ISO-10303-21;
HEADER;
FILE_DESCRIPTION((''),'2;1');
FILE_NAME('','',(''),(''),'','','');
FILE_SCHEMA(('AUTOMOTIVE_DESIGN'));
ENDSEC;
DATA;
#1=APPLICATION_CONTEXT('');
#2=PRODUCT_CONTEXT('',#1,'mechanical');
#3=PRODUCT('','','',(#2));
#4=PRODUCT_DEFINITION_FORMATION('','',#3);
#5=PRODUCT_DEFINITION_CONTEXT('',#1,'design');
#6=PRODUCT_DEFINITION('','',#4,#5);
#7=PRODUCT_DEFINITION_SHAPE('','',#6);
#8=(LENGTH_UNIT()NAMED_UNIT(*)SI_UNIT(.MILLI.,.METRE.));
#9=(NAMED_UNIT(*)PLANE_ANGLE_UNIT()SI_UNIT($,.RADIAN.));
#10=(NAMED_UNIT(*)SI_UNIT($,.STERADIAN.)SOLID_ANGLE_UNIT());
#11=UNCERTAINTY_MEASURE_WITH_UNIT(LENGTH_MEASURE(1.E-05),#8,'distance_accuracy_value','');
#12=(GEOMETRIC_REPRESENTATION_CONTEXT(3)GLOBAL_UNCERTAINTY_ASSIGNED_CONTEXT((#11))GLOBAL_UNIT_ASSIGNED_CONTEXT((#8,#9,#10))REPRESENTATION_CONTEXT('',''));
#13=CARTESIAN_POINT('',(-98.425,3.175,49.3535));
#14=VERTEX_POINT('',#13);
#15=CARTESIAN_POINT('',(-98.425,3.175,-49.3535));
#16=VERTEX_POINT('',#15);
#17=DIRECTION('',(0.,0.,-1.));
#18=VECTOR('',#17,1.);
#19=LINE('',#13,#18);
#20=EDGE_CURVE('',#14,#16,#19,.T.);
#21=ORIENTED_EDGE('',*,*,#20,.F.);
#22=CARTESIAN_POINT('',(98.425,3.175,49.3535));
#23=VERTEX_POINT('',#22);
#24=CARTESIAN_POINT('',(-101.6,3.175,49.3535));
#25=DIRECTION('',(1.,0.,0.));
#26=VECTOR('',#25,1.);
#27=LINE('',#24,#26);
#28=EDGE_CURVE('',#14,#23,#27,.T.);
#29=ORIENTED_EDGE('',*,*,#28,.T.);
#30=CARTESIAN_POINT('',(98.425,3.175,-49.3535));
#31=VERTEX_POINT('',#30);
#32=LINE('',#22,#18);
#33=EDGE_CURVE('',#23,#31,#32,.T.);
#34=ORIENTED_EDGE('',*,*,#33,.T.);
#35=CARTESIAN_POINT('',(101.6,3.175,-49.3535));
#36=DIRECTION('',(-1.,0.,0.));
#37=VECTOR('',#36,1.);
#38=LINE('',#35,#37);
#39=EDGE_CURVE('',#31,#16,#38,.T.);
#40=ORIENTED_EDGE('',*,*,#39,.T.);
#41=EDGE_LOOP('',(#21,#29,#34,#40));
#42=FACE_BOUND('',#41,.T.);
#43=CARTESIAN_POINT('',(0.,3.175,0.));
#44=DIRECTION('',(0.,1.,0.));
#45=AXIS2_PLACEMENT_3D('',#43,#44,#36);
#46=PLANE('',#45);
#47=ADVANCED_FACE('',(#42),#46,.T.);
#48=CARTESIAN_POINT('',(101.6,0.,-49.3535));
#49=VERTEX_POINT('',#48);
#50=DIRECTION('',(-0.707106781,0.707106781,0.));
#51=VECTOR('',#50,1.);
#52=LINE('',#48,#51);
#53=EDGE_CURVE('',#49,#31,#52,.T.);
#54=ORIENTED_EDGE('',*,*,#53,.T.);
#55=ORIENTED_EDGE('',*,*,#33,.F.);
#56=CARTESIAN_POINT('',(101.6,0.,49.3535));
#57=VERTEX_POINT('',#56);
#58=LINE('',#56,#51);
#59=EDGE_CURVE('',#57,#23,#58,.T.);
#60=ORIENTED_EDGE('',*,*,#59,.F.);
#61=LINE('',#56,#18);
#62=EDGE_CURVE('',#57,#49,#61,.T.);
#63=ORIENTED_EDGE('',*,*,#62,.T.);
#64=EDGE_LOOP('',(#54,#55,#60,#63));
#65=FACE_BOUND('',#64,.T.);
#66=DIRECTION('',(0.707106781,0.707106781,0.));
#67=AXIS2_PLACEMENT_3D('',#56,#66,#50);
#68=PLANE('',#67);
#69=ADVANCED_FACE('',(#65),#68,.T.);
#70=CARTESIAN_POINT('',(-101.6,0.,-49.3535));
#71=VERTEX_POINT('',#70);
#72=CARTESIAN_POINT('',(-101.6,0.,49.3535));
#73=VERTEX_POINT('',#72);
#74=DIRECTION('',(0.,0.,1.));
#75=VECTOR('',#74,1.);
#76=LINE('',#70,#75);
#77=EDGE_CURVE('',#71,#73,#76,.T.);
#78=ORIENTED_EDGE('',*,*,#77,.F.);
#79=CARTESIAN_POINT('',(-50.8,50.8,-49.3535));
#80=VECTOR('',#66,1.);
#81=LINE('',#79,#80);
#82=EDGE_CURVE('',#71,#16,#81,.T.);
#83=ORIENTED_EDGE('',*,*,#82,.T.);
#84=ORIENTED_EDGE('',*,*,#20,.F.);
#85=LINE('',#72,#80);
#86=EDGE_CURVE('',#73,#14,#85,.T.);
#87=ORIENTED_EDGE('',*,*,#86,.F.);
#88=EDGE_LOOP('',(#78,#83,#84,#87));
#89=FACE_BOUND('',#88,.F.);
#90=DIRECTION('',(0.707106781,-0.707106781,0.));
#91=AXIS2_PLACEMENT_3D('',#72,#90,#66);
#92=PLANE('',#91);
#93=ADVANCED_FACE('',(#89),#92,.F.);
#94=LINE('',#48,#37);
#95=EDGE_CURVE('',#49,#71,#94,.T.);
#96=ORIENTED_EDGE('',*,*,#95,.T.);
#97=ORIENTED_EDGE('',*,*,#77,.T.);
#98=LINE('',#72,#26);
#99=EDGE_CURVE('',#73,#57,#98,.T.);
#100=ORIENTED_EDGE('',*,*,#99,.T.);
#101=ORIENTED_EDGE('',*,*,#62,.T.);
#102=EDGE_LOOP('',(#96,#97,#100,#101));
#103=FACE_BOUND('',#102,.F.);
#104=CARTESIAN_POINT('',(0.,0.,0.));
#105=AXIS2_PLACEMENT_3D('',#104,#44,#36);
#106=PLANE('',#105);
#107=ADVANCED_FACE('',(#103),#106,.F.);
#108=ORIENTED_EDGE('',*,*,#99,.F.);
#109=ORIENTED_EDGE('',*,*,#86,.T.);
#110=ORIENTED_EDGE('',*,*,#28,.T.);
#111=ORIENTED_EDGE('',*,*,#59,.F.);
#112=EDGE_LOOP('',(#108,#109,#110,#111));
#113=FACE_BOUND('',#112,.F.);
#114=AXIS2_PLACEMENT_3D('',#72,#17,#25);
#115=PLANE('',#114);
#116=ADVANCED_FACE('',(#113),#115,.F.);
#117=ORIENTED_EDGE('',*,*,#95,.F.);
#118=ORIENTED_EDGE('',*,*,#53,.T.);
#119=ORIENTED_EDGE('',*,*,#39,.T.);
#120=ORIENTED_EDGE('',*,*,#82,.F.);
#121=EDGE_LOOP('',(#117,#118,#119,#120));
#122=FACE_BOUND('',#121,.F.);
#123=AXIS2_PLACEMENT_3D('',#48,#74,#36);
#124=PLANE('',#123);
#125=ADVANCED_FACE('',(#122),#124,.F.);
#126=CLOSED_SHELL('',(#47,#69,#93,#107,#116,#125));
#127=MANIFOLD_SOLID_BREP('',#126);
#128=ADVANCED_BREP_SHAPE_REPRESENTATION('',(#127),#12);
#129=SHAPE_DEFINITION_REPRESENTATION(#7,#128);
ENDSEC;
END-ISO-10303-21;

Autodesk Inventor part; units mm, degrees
ref_plane "YZ Plane" through (0, 0, 0) normal (1, 0, 0) x (0, 1, 0)
ref_plane "XZ Plane" through (0, 0, 0) normal (0, 1, 0) x (-1, 0, 0)
ref_plane "XY Plane" through (0, 0, 0) normal (0, 0, 1) x (1, 0, 0)
sketch "Sketch2" plane through (0, 0, 0) normal (0, 1, 0) x (-1, 0, 0)
  line L0 (101.6, 49.3535) -> (-101.6, 49.3535)
  line L1 (-101.6, 49.3535) -> (-101.6, -49.3535)
  line L2 (-101.6, -49.3535) -> (101.6, -49.3535)
  line L3 (101.6, -49.3535) -> (101.6, 49.3535)
  line L4 (101.6, 49.3535) -> (-101.6, -49.3535) construction
  line L5 (-101.6, 49.3535) -> (101.6, -49.3535) construction
  point P0 (0, 0)
  dimension "d0" = 98.7069
  dimension "d1" = 203.2
extrude "Extrusion1" add sketch "Sketch2" along normal blind 3.175
sketch "Sketch3" plane through (-101.6, 0, 49.3535) normal (0, 0, 1) x (1, 0, 0)
  line L0 (0, 0) -> (0, 3.175) projected
  line L1 (0, 3.175) -> (203.2, 3.175) projected
  line L2 (0, 0) -> (203.2, 0) projected
  line L3 (203.2, 0) -> (0, 0) projected
  line L4 (0, 0) -> (3.175, 3.175)
  line L5 (203.2, 3.175) -> (0, 3.175) projected
  line L6 (3.175, 3.175) -> (0, 3.175)
  line L7 (0, 0) -> (0, 3.175) projected
  line L8 (0, 3.175) -> (0, 0)
  line L9 (203.2, 0) -> (203.2, 3.175) projected
  line L10 (203.2, 0) -> (200.025, 3.175)
  line L11 (200.025, 3.175) -> (203.2, 3.175)
  line L12 (203.2, 0) -> (203.2, 3.175) projected
  line L13 (203.2, 3.175) -> (203.2, 0)
  point P0 (101.6, 0)
  dimension "d4" = 45
  dimension "d5" = 45
extrude "Extrusion2" cut sketch "Sketch3" against normal through all contours L0 L1 L4 | L10 L1 L9
equation "\"d0\" = depth"
equation "\"d1\" = widthOfTop"
equation "\"d2\" = thickness"
equation "\"widthOfLightBracket\" = 285.75"
equation "\"depth\" = 98.70694"
equation "\"thickness\" = 3.175"
equation "\"widthOfTop\" = 203.2"
properties part number "topForKetchenLight" material "PC/ABS Plastic"
